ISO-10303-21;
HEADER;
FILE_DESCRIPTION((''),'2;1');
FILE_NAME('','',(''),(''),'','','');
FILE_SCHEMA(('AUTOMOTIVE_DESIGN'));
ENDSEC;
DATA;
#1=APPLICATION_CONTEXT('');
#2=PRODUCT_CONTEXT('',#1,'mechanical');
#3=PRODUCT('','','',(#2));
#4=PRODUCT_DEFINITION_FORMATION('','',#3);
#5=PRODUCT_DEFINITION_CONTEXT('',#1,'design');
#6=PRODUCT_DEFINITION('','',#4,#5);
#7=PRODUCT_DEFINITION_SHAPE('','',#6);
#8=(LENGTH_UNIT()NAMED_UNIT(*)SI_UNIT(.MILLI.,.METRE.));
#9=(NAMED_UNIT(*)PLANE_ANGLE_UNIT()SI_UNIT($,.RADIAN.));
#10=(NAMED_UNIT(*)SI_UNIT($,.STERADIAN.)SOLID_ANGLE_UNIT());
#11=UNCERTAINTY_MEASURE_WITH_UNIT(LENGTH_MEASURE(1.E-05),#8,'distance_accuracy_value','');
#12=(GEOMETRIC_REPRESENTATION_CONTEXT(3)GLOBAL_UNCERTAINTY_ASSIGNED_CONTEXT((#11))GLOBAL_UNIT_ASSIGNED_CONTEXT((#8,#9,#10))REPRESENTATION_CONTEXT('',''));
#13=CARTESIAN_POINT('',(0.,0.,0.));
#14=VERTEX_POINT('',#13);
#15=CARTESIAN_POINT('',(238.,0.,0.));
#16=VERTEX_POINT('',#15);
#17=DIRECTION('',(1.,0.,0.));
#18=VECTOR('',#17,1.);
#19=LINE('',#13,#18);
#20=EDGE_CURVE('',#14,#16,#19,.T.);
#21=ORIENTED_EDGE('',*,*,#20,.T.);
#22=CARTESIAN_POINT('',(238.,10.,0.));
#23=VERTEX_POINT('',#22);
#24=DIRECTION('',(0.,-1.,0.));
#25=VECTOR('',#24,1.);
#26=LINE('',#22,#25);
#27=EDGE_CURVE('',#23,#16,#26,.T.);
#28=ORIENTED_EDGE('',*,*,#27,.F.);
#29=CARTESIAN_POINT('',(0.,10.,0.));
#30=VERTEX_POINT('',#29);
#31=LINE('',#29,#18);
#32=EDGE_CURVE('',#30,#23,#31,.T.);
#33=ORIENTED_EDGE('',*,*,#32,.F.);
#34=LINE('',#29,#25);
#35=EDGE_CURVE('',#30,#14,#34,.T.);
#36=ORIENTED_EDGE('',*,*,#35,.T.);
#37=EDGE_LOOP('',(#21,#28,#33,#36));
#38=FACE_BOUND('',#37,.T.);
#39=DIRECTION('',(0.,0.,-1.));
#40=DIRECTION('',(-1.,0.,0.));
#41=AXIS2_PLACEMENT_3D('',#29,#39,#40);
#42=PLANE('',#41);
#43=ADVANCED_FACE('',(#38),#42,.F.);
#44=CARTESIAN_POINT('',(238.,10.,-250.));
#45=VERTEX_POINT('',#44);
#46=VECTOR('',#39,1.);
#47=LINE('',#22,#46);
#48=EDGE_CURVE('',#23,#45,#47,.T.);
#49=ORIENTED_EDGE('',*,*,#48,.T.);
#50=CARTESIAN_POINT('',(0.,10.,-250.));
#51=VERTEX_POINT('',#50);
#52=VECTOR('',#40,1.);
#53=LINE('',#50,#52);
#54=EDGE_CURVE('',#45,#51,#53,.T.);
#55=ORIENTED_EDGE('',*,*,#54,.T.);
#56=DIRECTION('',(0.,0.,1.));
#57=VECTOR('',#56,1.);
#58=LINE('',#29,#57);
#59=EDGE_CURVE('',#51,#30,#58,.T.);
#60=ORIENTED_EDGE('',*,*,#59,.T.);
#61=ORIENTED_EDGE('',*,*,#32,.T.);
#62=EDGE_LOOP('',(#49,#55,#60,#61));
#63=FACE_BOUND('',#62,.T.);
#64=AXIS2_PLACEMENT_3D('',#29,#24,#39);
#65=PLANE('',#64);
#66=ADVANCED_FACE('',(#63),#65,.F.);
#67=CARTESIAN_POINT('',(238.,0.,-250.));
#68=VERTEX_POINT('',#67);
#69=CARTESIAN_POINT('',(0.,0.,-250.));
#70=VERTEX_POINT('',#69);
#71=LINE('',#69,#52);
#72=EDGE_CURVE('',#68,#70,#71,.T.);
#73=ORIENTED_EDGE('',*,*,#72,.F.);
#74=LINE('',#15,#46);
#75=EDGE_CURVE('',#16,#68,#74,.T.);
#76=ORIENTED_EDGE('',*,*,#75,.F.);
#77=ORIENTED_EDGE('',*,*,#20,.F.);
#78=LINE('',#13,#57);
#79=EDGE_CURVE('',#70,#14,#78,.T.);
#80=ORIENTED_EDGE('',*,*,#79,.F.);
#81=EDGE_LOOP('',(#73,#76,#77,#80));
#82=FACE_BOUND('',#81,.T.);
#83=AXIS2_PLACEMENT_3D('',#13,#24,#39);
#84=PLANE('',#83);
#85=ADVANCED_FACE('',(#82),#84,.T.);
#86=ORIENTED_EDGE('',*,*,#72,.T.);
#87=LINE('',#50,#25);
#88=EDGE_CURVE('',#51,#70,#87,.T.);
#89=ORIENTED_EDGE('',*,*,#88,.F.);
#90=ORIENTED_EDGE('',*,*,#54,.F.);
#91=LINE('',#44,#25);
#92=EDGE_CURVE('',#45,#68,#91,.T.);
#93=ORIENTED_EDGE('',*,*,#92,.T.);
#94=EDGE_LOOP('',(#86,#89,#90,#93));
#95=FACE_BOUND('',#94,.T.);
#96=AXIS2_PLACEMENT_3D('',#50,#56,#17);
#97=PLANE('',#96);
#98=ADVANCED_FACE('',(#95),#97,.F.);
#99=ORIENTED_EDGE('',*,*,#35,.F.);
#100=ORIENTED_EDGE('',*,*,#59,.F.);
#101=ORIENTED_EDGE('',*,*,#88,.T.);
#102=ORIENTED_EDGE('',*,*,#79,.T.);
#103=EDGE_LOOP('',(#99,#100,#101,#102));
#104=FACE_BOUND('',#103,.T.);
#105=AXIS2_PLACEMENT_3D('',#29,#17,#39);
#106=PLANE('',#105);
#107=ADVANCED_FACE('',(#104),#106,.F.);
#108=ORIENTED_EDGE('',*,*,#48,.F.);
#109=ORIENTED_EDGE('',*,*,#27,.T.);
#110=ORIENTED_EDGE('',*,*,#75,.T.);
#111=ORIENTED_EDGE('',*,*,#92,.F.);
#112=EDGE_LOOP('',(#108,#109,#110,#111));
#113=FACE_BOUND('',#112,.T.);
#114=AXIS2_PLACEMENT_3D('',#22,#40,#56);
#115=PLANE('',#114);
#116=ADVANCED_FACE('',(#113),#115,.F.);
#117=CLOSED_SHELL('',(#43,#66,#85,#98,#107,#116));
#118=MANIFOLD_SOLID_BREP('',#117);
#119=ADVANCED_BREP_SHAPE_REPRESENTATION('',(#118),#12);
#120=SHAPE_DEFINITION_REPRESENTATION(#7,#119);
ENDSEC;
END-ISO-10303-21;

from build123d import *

# Parameters (mm, degrees)
SKETCH_2_W      = 238
SKETCH_2_H      = 250
EXTRUDE_1_DEPTH = 10


with BuildPart() as part:
    # Эскиз2 → Бобышка-Вытянуть1 (new body)
    with BuildSketch(Plane(origin=(0, 0, 0), x_dir=(1, 0, 0), z_dir=(0, 1, 0))):
        with Locations((119, 125)):
            Rectangle(SKETCH_2_W, SKETCH_2_H)
    extrude(amount=EXTRUDE_1_DEPTH)


solid = part.part
